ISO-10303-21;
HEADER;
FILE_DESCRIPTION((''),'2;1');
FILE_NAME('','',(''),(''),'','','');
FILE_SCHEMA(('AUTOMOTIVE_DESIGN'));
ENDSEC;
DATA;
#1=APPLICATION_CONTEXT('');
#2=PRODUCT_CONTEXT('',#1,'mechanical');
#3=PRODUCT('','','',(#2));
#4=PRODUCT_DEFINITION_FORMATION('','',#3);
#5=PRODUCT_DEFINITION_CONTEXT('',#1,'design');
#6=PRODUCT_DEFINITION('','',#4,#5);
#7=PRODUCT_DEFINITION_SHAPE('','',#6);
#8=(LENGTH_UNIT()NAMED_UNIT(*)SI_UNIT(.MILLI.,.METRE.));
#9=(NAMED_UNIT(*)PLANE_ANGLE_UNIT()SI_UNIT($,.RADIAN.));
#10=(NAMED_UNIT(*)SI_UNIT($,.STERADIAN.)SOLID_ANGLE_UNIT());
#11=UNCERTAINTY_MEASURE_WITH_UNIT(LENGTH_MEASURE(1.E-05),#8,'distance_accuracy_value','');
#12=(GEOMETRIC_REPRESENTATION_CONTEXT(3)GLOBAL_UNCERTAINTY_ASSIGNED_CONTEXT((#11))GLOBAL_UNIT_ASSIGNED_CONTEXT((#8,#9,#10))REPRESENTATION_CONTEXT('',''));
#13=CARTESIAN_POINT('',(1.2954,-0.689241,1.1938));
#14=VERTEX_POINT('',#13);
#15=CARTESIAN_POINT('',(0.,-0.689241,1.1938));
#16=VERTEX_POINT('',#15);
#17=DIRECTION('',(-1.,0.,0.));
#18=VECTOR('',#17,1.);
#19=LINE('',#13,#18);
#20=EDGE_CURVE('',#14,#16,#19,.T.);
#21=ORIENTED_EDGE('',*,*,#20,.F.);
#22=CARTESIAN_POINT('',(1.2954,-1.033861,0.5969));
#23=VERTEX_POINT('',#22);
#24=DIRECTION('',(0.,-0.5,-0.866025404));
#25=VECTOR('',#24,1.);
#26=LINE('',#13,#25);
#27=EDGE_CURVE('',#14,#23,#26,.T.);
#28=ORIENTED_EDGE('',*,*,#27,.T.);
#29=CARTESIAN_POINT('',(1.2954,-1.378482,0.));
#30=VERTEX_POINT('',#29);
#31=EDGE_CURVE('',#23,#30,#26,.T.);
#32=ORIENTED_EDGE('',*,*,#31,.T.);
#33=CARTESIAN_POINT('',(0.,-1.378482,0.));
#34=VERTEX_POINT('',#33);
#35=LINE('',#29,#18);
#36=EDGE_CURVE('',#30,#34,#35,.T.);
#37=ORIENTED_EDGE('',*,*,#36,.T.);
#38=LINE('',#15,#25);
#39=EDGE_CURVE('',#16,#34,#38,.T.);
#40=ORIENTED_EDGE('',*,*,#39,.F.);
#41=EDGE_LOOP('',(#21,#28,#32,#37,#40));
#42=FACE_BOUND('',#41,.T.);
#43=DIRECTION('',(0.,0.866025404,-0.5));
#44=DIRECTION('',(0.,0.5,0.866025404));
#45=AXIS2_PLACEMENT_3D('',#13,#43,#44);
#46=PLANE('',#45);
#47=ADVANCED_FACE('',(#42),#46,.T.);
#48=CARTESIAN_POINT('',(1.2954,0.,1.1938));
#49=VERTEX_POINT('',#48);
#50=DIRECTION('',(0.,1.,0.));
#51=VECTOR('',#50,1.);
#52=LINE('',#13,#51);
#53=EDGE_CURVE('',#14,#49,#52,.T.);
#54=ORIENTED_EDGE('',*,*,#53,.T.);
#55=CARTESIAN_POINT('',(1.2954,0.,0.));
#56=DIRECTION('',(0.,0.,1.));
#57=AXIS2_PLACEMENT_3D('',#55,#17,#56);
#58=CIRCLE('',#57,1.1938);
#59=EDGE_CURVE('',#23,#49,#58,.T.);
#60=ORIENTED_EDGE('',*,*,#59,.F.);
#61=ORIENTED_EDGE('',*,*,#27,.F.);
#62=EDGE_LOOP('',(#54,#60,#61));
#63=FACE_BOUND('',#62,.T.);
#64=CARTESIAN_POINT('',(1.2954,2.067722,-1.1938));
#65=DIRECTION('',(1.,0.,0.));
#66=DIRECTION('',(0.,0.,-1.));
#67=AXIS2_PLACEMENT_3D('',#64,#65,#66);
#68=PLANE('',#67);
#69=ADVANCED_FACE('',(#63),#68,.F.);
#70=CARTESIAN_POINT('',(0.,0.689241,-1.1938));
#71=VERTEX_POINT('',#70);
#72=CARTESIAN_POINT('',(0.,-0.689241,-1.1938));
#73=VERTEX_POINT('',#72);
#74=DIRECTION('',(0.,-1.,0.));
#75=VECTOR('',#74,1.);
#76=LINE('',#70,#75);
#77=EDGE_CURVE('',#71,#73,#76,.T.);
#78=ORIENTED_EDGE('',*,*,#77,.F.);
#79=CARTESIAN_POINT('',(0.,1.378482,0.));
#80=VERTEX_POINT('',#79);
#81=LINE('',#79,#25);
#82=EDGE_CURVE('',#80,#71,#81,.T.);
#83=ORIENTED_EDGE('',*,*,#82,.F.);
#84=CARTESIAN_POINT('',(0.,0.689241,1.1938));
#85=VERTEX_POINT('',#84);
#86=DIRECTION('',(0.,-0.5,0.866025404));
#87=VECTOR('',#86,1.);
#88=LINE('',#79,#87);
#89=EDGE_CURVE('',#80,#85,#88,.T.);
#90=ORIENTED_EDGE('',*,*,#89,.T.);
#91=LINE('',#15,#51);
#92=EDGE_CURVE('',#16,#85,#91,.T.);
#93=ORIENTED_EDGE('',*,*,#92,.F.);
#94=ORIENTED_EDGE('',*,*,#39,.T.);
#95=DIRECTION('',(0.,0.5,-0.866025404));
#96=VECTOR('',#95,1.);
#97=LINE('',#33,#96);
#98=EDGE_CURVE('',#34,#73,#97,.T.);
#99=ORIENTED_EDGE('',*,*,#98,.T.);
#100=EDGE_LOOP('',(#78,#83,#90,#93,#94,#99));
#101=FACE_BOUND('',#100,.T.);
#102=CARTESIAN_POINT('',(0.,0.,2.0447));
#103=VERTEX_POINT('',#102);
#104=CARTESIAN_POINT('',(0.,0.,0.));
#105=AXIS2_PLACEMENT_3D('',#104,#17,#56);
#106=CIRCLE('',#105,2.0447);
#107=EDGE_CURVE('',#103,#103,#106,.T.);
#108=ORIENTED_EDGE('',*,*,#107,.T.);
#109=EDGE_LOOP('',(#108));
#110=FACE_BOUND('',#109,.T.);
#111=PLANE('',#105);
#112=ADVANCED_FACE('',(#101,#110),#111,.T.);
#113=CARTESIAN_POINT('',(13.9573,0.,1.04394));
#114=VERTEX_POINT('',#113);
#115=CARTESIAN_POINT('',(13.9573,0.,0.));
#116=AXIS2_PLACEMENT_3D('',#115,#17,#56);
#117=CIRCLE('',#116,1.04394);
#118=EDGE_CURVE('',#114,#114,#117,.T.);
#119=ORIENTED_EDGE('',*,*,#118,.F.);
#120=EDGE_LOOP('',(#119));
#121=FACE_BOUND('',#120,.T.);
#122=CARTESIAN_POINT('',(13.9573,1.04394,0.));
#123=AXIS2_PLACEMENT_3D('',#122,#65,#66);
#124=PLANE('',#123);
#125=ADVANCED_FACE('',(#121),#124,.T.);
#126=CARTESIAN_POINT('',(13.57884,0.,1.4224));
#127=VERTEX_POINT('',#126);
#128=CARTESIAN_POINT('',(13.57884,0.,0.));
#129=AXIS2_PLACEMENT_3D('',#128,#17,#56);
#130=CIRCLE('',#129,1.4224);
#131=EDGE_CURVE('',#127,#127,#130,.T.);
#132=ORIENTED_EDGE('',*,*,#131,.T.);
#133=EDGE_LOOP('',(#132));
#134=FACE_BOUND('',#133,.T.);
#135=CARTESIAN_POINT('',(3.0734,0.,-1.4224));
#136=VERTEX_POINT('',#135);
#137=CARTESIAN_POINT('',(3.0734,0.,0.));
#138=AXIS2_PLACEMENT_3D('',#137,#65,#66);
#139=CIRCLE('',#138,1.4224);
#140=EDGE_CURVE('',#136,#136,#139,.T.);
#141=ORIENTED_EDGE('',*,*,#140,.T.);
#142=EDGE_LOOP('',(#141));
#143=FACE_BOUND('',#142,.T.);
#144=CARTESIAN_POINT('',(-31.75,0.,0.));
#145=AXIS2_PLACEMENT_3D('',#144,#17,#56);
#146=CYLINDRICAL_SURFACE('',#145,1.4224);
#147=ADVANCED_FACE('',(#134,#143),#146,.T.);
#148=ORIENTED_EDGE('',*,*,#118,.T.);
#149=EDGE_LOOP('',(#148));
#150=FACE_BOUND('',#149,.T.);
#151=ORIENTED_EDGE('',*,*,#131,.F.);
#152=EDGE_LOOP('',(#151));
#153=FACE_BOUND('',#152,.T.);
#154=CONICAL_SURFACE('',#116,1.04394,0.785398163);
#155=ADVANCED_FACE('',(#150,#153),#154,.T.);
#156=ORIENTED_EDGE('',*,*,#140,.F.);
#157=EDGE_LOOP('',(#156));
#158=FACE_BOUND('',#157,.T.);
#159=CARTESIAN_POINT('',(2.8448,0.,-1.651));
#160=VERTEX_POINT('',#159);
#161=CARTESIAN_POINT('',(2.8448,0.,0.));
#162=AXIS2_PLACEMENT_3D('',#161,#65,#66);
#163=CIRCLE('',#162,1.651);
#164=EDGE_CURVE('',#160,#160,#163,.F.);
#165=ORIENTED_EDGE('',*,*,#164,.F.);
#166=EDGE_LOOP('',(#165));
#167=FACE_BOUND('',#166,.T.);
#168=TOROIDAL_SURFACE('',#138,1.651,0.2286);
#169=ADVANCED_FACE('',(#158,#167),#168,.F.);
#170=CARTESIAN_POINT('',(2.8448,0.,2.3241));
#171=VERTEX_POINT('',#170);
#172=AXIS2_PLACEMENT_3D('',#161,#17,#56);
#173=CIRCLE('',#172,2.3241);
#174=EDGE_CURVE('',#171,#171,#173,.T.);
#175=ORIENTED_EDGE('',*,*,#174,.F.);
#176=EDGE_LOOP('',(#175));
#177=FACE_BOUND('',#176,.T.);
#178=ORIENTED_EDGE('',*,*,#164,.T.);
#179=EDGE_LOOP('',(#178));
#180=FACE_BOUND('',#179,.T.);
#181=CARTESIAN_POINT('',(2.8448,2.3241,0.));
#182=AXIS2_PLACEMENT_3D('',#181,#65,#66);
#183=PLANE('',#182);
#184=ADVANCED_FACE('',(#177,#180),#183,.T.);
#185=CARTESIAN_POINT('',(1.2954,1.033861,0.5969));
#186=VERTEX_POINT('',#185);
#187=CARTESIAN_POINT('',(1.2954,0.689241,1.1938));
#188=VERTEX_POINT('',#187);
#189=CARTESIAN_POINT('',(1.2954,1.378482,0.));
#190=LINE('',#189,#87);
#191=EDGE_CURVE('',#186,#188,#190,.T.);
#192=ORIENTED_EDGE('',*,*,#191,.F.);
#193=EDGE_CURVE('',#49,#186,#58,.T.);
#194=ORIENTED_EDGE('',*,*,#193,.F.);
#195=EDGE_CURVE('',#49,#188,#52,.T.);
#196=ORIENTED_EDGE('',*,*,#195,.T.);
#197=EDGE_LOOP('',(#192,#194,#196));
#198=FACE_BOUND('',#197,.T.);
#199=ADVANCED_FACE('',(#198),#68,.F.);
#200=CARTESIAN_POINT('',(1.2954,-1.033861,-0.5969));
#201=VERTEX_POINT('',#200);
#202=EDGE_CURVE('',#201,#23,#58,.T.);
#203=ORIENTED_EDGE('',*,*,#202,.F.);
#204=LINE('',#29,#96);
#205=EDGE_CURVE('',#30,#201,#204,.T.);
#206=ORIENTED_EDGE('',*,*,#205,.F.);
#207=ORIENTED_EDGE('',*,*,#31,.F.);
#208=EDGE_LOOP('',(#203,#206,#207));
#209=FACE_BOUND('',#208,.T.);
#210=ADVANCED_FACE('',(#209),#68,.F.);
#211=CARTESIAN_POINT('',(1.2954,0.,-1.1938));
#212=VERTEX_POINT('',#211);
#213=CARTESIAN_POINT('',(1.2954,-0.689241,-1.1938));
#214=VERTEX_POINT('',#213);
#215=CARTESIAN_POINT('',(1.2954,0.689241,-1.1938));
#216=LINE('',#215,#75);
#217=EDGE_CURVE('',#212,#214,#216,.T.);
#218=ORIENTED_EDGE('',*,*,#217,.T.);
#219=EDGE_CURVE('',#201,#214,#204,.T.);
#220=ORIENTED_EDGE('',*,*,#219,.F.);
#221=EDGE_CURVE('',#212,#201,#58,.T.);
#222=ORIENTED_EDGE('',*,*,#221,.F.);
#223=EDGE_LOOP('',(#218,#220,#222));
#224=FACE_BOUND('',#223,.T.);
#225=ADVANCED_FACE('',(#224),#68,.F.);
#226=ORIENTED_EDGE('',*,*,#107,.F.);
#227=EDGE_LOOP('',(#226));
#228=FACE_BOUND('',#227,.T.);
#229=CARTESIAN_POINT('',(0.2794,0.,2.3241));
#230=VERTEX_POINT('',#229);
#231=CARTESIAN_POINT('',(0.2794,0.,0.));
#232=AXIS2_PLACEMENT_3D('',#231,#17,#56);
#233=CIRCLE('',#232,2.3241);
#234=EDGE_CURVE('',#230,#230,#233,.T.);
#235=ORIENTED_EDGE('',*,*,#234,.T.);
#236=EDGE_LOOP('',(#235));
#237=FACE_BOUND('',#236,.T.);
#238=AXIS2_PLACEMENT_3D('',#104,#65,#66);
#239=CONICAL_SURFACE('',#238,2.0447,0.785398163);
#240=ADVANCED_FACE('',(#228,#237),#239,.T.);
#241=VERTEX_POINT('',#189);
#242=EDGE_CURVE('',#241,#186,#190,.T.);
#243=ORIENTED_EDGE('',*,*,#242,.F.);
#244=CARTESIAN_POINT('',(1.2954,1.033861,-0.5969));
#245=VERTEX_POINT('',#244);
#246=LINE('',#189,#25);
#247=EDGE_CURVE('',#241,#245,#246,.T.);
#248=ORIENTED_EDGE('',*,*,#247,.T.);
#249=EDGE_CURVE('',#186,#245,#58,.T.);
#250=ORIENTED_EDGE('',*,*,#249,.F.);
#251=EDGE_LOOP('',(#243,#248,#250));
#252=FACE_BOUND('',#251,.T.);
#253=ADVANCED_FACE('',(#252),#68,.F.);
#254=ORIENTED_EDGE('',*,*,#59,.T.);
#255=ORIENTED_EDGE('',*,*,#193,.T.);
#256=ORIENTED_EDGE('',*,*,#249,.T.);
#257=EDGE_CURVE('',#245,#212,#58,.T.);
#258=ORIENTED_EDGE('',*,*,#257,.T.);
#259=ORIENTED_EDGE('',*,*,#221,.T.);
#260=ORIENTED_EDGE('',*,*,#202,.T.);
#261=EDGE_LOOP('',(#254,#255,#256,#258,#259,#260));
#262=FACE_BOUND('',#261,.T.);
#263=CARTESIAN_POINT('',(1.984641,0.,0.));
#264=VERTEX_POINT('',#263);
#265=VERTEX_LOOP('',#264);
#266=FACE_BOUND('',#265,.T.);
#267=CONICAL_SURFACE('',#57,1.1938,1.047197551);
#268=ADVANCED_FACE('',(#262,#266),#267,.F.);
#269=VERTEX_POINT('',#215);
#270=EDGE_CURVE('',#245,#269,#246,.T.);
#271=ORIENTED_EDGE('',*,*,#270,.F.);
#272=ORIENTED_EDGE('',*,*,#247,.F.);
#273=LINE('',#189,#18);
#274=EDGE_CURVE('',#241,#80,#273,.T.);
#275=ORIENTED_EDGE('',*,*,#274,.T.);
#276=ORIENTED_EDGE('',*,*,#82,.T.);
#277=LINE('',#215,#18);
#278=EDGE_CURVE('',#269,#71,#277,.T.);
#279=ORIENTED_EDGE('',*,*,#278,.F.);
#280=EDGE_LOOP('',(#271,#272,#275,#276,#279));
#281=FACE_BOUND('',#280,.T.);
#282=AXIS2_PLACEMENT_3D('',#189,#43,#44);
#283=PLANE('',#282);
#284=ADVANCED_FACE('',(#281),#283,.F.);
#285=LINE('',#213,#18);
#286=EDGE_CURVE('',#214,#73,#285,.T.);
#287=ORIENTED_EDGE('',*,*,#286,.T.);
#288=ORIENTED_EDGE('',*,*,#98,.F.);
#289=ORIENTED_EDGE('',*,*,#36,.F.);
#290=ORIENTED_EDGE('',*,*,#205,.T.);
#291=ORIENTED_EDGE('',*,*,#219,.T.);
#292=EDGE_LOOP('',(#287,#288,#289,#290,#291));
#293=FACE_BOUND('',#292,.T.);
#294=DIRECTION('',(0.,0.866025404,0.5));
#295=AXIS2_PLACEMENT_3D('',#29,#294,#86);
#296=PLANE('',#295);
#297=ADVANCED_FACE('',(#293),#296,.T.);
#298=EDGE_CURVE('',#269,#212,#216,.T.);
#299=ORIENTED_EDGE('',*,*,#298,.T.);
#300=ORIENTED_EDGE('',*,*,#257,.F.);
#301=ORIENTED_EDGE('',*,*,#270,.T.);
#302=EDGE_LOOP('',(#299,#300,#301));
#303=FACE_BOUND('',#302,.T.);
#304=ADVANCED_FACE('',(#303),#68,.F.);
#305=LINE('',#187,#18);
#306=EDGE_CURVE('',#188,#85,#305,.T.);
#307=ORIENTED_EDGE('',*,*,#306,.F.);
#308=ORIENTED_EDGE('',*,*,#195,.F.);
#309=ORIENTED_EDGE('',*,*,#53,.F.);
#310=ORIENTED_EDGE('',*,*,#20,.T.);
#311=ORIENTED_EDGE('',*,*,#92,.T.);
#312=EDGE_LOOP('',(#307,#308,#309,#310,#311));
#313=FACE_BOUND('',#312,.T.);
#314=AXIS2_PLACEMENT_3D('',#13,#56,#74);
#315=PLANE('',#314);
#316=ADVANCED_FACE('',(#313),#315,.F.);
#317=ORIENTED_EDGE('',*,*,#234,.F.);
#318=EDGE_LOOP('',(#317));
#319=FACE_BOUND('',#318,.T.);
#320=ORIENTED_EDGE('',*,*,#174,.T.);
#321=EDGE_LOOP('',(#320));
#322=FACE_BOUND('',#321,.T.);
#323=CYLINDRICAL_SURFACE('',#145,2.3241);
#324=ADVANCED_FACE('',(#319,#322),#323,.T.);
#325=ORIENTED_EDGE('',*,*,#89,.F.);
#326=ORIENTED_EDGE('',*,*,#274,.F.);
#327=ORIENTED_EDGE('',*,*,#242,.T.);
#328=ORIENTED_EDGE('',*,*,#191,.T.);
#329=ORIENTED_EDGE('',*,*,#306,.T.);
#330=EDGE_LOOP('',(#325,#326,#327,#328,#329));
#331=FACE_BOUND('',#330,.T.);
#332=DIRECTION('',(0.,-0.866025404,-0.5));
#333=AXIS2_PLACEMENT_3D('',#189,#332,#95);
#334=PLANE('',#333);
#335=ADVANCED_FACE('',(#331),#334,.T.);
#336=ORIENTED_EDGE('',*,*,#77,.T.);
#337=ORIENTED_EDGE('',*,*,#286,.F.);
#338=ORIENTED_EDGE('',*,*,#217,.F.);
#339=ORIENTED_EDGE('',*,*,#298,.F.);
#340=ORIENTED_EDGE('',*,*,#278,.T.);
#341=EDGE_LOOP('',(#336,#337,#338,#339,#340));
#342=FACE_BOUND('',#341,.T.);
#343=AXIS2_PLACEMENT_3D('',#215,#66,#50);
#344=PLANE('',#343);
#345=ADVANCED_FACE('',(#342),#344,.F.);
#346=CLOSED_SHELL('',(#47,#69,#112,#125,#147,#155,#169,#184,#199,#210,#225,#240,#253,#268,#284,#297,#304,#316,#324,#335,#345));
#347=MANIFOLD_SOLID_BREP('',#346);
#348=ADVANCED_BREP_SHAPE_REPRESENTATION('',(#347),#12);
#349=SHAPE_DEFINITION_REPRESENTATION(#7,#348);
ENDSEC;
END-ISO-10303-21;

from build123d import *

# Parameters (mm, degrees)
FILLET1_R   = 0.2286
HEX_2_DEPTH = 1.2954


with BuildPart() as part:
    # BodySke → Base-Revolve (revolve)
    with BuildSketch(Plane.XY):
        Polygon((0, 0), (0, 2.0447), (0.2794, 2.3241), (2.8448, 2.3241), (2.8448, 1.4224), (13.57884, 1.4224), (13.9573, 1.04394), (13.9573, 0), align=None)
    revolve(axis=Axis((-31.75, 0, 0), (1, 0, 0)))

    # Fillet1
    fillet1_edges = [part.edges().sort_by_distance(p)[0] for p in [
        (2.8448, -1.4224, 0),
    ]]
    fillet(fillet1_edges, radius=FILLET1_R)

    # Sketch2 → Hex-PreBroach (revolve, cut)
    with BuildSketch(Plane.XY):
        Polygon((0, 1.1938), (1.2954, 1.1938), (1.984640751, 0), (0, 0), align=None)
    revolve(axis=Axis((0, 0, 0), (1, 0, 0)), mode=Mode.SUBTRACT)

    # Sketch3 → Hex 2 (cut)
    with BuildSketch(Plane(origin=(0, 0, 0), x_dir=(0, 0.5, 0.866025404), z_dir=(-1, 0, 0))):
        Polygon((0.689240751, 1.1938), (-0.689240751, 1.1938), (-1.378481503, 0), (-0.689240751, -1.1938), (0.689240751, -1.1938), (1.378481503, 0), align=None)
    extrude(amount=-HEX_2_DEPTH, mode=Mode.SUBTRACT)


solid = part.part
